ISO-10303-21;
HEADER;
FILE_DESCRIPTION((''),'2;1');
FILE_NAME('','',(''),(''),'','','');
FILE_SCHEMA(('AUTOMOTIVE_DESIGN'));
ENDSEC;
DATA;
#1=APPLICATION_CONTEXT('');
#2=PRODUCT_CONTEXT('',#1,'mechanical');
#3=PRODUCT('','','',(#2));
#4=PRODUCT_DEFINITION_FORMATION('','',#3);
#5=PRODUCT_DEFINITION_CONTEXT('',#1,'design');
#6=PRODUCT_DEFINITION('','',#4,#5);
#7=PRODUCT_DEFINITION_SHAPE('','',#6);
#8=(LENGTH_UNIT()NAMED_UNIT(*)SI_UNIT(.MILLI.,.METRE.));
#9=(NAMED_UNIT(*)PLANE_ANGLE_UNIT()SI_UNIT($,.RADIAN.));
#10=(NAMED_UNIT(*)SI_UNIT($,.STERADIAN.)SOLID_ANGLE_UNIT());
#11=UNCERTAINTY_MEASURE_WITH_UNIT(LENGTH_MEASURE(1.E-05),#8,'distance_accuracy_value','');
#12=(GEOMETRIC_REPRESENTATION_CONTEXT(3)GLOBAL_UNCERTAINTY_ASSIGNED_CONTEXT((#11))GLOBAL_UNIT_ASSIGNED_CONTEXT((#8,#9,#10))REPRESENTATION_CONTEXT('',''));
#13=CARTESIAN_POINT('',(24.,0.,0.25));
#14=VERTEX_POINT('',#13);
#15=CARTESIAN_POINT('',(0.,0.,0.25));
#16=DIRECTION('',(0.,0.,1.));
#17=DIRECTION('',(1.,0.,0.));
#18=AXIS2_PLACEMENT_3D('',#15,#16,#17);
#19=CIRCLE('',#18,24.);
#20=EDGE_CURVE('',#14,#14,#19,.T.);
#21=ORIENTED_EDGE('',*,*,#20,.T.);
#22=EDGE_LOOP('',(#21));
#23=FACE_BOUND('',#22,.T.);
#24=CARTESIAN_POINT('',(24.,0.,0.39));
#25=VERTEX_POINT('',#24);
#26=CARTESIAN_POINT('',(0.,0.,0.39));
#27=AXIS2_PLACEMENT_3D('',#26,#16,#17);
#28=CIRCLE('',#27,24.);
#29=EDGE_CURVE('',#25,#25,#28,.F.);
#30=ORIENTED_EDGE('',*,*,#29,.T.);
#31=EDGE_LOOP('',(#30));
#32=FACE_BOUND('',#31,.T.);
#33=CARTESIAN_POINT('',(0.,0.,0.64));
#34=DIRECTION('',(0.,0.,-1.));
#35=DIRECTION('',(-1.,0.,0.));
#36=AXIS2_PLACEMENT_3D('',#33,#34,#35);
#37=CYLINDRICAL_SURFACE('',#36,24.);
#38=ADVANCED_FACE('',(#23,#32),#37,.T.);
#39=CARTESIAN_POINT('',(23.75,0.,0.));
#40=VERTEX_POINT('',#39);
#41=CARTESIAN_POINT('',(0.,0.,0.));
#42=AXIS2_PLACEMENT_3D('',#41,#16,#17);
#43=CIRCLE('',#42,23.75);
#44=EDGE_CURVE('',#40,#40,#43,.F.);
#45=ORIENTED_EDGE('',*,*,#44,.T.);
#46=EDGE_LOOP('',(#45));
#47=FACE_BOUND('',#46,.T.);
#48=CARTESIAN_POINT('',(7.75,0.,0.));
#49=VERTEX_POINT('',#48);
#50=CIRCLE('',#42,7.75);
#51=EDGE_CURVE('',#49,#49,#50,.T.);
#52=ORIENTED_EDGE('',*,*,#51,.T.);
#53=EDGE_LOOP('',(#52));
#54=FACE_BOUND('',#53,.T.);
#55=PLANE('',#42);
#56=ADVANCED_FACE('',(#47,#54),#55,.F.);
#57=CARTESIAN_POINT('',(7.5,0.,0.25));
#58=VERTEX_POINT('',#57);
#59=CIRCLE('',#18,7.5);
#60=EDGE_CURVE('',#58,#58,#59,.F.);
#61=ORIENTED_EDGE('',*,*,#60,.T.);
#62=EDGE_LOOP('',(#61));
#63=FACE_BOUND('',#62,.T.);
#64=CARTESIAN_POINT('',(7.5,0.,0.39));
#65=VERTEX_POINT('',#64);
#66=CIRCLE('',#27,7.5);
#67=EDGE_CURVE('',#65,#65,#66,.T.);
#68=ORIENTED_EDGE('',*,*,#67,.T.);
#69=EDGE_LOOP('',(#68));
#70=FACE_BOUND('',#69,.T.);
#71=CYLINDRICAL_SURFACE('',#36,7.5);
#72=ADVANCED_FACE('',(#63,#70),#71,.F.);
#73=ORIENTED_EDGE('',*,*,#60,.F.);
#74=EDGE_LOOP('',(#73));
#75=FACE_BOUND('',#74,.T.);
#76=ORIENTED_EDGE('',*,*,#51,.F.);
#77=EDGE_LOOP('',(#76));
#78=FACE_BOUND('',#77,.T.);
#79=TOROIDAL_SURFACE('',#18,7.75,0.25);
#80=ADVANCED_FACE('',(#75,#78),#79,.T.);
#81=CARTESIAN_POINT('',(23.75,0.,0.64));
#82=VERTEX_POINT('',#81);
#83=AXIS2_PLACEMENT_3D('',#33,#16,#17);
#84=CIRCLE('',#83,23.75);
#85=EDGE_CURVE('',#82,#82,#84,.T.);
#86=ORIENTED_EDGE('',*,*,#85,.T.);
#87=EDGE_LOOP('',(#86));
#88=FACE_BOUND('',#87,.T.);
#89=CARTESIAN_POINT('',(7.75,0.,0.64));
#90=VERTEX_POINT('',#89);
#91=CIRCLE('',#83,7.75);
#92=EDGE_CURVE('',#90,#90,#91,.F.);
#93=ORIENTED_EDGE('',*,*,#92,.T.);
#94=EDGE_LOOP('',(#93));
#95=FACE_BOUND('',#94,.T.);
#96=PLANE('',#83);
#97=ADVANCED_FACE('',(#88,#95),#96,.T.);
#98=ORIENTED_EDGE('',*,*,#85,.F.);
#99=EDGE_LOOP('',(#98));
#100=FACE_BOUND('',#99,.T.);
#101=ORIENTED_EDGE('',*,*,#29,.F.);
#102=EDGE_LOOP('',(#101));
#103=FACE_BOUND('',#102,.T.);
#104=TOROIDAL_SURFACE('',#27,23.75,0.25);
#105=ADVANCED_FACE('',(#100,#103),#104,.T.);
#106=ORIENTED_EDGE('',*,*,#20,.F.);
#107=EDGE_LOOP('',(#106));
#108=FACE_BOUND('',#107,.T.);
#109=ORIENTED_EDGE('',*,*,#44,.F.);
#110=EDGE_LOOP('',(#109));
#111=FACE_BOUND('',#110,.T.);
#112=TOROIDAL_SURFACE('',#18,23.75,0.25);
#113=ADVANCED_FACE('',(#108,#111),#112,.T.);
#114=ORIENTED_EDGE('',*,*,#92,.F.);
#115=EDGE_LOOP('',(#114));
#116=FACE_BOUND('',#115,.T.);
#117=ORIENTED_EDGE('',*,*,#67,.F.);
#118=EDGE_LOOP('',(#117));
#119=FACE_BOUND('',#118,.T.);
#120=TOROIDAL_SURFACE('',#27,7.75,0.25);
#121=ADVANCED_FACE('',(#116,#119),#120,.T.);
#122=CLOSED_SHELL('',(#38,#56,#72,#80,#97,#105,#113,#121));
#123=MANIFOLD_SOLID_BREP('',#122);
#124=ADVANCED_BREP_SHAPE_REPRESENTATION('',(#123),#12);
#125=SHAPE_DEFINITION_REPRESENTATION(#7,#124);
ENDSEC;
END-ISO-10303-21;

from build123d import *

# Parameters (mm, degrees)
SKETCH1_R           = 24
SKETCH1_R_2         = 7.5
BOSS_EXTRUDE1_DEPTH = 0.64
FILLET1_R           = 0.25


with BuildPart() as part:
    # Sketch1 → Boss-Extrude1 (new body)
    with BuildSketch(Plane.XY):
        Circle(SKETCH1_R)
        Circle(SKETCH1_R_2, mode=Mode.SUBTRACT)
    extrude(amount=BOSS_EXTRUDE1_DEPTH)

    # Fillet1
    fillet1_edges = [part.edges().sort_by_distance(p)[0] for p in [
        (-24, 0, 0),
        (-24, 0, 0.64),
        (-7.5, 0, 0),
        (-7.5, 0, 0.64),
    ]]
    fillet(fillet1_edges, radius=FILLET1_R)


solid = part.part
